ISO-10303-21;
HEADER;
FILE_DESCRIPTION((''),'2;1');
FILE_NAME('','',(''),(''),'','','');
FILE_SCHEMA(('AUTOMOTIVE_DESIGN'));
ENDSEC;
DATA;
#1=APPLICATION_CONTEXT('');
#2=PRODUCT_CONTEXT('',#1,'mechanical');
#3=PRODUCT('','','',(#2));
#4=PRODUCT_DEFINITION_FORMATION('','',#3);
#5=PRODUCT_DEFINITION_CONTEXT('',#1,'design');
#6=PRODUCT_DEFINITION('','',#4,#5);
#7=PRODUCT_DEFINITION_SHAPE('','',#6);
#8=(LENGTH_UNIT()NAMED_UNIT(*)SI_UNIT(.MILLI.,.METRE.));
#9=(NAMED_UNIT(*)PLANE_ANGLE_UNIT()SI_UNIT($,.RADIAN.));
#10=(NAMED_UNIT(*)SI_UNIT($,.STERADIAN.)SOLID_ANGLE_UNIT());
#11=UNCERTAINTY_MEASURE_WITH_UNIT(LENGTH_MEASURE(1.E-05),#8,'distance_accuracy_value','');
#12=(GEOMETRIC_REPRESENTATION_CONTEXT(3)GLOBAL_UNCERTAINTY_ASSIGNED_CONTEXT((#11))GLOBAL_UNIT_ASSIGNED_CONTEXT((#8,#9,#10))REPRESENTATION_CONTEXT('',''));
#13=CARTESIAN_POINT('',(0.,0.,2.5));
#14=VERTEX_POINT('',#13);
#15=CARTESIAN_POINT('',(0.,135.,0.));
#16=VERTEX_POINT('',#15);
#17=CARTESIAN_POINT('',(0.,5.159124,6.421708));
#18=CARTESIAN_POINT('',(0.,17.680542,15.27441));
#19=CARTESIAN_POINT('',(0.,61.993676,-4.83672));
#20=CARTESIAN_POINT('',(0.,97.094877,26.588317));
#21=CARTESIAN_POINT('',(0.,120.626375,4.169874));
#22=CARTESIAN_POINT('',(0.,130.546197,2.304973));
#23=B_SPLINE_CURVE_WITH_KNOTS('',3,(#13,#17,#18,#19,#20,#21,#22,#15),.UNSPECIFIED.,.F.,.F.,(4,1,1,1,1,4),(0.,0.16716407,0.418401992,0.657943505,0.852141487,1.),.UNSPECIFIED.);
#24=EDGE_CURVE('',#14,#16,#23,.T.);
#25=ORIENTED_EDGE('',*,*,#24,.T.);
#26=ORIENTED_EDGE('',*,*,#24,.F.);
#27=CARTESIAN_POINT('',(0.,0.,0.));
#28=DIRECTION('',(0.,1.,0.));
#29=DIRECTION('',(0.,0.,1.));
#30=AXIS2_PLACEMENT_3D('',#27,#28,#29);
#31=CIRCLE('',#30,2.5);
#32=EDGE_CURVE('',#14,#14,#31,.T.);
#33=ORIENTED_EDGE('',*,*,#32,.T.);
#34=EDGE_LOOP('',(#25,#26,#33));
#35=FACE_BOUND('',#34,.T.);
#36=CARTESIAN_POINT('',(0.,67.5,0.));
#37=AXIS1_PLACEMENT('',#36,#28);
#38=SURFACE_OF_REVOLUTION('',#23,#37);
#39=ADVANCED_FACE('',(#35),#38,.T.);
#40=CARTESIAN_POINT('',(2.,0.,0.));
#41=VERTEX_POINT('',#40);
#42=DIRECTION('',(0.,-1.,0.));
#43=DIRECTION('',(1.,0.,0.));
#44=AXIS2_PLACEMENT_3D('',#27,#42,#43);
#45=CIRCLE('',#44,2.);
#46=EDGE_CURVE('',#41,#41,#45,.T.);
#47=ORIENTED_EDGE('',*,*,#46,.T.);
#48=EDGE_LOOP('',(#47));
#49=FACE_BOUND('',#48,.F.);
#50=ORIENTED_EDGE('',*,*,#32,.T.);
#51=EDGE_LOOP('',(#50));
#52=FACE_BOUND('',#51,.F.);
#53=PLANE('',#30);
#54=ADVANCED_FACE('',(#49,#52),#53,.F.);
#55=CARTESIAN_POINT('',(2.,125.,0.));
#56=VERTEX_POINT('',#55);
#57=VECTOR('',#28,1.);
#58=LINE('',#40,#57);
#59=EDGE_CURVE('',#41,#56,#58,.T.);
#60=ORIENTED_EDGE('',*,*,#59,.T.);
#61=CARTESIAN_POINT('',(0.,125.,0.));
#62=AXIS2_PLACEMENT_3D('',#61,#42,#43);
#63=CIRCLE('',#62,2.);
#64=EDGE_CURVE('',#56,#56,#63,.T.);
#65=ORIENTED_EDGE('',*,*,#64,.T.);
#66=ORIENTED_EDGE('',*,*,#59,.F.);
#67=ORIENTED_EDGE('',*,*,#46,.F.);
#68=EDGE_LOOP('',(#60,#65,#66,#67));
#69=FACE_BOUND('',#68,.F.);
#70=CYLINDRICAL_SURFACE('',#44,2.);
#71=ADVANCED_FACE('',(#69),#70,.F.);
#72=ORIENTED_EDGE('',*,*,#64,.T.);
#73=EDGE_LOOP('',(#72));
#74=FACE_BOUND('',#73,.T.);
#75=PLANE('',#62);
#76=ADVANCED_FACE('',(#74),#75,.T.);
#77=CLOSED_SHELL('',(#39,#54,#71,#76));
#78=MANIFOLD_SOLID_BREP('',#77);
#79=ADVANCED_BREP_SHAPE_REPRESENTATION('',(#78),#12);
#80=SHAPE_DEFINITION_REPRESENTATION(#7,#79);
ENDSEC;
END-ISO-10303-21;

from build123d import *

# Parameters (mm, degrees)
F2_R     = 2
F3_DEPTH = 125


with BuildPart() as f1:
    # F0 (on Right) → F1 (revolve)
    with BuildSketch(Plane.YZ):
        with BuildLine():
            Line((0, 2.5), (0, 0))
            Line((0, 0), (135, 0))
            add(Edge.make_bspline(
                [(0, 2.5), (5.1591235686, 6.4217081777), (17.6805423336, 15.274409738), (61.9936761303, -4.8367197446), (97.0948771331, 26.5883167689), (120.6263751387, 4.1698736003), (130.5461972952, 2.3049730808), (135, 0)],
                knots=[0, 0, 0, 0, 0.1671640696, 0.4184019917, 0.6579435045, 0.8521414874, 1, 1, 1, 1], degree=3))
        make_face()
    revolve(axis=Axis((0, 67.5, 0), (0, 1, 0)))

    # F2 (on Front) → F3 (cut)
    with BuildSketch(Plane.XZ):
        Circle(F2_R)
    extrude(amount=-F3_DEPTH, mode=Mode.SUBTRACT)


solid = f1.part
